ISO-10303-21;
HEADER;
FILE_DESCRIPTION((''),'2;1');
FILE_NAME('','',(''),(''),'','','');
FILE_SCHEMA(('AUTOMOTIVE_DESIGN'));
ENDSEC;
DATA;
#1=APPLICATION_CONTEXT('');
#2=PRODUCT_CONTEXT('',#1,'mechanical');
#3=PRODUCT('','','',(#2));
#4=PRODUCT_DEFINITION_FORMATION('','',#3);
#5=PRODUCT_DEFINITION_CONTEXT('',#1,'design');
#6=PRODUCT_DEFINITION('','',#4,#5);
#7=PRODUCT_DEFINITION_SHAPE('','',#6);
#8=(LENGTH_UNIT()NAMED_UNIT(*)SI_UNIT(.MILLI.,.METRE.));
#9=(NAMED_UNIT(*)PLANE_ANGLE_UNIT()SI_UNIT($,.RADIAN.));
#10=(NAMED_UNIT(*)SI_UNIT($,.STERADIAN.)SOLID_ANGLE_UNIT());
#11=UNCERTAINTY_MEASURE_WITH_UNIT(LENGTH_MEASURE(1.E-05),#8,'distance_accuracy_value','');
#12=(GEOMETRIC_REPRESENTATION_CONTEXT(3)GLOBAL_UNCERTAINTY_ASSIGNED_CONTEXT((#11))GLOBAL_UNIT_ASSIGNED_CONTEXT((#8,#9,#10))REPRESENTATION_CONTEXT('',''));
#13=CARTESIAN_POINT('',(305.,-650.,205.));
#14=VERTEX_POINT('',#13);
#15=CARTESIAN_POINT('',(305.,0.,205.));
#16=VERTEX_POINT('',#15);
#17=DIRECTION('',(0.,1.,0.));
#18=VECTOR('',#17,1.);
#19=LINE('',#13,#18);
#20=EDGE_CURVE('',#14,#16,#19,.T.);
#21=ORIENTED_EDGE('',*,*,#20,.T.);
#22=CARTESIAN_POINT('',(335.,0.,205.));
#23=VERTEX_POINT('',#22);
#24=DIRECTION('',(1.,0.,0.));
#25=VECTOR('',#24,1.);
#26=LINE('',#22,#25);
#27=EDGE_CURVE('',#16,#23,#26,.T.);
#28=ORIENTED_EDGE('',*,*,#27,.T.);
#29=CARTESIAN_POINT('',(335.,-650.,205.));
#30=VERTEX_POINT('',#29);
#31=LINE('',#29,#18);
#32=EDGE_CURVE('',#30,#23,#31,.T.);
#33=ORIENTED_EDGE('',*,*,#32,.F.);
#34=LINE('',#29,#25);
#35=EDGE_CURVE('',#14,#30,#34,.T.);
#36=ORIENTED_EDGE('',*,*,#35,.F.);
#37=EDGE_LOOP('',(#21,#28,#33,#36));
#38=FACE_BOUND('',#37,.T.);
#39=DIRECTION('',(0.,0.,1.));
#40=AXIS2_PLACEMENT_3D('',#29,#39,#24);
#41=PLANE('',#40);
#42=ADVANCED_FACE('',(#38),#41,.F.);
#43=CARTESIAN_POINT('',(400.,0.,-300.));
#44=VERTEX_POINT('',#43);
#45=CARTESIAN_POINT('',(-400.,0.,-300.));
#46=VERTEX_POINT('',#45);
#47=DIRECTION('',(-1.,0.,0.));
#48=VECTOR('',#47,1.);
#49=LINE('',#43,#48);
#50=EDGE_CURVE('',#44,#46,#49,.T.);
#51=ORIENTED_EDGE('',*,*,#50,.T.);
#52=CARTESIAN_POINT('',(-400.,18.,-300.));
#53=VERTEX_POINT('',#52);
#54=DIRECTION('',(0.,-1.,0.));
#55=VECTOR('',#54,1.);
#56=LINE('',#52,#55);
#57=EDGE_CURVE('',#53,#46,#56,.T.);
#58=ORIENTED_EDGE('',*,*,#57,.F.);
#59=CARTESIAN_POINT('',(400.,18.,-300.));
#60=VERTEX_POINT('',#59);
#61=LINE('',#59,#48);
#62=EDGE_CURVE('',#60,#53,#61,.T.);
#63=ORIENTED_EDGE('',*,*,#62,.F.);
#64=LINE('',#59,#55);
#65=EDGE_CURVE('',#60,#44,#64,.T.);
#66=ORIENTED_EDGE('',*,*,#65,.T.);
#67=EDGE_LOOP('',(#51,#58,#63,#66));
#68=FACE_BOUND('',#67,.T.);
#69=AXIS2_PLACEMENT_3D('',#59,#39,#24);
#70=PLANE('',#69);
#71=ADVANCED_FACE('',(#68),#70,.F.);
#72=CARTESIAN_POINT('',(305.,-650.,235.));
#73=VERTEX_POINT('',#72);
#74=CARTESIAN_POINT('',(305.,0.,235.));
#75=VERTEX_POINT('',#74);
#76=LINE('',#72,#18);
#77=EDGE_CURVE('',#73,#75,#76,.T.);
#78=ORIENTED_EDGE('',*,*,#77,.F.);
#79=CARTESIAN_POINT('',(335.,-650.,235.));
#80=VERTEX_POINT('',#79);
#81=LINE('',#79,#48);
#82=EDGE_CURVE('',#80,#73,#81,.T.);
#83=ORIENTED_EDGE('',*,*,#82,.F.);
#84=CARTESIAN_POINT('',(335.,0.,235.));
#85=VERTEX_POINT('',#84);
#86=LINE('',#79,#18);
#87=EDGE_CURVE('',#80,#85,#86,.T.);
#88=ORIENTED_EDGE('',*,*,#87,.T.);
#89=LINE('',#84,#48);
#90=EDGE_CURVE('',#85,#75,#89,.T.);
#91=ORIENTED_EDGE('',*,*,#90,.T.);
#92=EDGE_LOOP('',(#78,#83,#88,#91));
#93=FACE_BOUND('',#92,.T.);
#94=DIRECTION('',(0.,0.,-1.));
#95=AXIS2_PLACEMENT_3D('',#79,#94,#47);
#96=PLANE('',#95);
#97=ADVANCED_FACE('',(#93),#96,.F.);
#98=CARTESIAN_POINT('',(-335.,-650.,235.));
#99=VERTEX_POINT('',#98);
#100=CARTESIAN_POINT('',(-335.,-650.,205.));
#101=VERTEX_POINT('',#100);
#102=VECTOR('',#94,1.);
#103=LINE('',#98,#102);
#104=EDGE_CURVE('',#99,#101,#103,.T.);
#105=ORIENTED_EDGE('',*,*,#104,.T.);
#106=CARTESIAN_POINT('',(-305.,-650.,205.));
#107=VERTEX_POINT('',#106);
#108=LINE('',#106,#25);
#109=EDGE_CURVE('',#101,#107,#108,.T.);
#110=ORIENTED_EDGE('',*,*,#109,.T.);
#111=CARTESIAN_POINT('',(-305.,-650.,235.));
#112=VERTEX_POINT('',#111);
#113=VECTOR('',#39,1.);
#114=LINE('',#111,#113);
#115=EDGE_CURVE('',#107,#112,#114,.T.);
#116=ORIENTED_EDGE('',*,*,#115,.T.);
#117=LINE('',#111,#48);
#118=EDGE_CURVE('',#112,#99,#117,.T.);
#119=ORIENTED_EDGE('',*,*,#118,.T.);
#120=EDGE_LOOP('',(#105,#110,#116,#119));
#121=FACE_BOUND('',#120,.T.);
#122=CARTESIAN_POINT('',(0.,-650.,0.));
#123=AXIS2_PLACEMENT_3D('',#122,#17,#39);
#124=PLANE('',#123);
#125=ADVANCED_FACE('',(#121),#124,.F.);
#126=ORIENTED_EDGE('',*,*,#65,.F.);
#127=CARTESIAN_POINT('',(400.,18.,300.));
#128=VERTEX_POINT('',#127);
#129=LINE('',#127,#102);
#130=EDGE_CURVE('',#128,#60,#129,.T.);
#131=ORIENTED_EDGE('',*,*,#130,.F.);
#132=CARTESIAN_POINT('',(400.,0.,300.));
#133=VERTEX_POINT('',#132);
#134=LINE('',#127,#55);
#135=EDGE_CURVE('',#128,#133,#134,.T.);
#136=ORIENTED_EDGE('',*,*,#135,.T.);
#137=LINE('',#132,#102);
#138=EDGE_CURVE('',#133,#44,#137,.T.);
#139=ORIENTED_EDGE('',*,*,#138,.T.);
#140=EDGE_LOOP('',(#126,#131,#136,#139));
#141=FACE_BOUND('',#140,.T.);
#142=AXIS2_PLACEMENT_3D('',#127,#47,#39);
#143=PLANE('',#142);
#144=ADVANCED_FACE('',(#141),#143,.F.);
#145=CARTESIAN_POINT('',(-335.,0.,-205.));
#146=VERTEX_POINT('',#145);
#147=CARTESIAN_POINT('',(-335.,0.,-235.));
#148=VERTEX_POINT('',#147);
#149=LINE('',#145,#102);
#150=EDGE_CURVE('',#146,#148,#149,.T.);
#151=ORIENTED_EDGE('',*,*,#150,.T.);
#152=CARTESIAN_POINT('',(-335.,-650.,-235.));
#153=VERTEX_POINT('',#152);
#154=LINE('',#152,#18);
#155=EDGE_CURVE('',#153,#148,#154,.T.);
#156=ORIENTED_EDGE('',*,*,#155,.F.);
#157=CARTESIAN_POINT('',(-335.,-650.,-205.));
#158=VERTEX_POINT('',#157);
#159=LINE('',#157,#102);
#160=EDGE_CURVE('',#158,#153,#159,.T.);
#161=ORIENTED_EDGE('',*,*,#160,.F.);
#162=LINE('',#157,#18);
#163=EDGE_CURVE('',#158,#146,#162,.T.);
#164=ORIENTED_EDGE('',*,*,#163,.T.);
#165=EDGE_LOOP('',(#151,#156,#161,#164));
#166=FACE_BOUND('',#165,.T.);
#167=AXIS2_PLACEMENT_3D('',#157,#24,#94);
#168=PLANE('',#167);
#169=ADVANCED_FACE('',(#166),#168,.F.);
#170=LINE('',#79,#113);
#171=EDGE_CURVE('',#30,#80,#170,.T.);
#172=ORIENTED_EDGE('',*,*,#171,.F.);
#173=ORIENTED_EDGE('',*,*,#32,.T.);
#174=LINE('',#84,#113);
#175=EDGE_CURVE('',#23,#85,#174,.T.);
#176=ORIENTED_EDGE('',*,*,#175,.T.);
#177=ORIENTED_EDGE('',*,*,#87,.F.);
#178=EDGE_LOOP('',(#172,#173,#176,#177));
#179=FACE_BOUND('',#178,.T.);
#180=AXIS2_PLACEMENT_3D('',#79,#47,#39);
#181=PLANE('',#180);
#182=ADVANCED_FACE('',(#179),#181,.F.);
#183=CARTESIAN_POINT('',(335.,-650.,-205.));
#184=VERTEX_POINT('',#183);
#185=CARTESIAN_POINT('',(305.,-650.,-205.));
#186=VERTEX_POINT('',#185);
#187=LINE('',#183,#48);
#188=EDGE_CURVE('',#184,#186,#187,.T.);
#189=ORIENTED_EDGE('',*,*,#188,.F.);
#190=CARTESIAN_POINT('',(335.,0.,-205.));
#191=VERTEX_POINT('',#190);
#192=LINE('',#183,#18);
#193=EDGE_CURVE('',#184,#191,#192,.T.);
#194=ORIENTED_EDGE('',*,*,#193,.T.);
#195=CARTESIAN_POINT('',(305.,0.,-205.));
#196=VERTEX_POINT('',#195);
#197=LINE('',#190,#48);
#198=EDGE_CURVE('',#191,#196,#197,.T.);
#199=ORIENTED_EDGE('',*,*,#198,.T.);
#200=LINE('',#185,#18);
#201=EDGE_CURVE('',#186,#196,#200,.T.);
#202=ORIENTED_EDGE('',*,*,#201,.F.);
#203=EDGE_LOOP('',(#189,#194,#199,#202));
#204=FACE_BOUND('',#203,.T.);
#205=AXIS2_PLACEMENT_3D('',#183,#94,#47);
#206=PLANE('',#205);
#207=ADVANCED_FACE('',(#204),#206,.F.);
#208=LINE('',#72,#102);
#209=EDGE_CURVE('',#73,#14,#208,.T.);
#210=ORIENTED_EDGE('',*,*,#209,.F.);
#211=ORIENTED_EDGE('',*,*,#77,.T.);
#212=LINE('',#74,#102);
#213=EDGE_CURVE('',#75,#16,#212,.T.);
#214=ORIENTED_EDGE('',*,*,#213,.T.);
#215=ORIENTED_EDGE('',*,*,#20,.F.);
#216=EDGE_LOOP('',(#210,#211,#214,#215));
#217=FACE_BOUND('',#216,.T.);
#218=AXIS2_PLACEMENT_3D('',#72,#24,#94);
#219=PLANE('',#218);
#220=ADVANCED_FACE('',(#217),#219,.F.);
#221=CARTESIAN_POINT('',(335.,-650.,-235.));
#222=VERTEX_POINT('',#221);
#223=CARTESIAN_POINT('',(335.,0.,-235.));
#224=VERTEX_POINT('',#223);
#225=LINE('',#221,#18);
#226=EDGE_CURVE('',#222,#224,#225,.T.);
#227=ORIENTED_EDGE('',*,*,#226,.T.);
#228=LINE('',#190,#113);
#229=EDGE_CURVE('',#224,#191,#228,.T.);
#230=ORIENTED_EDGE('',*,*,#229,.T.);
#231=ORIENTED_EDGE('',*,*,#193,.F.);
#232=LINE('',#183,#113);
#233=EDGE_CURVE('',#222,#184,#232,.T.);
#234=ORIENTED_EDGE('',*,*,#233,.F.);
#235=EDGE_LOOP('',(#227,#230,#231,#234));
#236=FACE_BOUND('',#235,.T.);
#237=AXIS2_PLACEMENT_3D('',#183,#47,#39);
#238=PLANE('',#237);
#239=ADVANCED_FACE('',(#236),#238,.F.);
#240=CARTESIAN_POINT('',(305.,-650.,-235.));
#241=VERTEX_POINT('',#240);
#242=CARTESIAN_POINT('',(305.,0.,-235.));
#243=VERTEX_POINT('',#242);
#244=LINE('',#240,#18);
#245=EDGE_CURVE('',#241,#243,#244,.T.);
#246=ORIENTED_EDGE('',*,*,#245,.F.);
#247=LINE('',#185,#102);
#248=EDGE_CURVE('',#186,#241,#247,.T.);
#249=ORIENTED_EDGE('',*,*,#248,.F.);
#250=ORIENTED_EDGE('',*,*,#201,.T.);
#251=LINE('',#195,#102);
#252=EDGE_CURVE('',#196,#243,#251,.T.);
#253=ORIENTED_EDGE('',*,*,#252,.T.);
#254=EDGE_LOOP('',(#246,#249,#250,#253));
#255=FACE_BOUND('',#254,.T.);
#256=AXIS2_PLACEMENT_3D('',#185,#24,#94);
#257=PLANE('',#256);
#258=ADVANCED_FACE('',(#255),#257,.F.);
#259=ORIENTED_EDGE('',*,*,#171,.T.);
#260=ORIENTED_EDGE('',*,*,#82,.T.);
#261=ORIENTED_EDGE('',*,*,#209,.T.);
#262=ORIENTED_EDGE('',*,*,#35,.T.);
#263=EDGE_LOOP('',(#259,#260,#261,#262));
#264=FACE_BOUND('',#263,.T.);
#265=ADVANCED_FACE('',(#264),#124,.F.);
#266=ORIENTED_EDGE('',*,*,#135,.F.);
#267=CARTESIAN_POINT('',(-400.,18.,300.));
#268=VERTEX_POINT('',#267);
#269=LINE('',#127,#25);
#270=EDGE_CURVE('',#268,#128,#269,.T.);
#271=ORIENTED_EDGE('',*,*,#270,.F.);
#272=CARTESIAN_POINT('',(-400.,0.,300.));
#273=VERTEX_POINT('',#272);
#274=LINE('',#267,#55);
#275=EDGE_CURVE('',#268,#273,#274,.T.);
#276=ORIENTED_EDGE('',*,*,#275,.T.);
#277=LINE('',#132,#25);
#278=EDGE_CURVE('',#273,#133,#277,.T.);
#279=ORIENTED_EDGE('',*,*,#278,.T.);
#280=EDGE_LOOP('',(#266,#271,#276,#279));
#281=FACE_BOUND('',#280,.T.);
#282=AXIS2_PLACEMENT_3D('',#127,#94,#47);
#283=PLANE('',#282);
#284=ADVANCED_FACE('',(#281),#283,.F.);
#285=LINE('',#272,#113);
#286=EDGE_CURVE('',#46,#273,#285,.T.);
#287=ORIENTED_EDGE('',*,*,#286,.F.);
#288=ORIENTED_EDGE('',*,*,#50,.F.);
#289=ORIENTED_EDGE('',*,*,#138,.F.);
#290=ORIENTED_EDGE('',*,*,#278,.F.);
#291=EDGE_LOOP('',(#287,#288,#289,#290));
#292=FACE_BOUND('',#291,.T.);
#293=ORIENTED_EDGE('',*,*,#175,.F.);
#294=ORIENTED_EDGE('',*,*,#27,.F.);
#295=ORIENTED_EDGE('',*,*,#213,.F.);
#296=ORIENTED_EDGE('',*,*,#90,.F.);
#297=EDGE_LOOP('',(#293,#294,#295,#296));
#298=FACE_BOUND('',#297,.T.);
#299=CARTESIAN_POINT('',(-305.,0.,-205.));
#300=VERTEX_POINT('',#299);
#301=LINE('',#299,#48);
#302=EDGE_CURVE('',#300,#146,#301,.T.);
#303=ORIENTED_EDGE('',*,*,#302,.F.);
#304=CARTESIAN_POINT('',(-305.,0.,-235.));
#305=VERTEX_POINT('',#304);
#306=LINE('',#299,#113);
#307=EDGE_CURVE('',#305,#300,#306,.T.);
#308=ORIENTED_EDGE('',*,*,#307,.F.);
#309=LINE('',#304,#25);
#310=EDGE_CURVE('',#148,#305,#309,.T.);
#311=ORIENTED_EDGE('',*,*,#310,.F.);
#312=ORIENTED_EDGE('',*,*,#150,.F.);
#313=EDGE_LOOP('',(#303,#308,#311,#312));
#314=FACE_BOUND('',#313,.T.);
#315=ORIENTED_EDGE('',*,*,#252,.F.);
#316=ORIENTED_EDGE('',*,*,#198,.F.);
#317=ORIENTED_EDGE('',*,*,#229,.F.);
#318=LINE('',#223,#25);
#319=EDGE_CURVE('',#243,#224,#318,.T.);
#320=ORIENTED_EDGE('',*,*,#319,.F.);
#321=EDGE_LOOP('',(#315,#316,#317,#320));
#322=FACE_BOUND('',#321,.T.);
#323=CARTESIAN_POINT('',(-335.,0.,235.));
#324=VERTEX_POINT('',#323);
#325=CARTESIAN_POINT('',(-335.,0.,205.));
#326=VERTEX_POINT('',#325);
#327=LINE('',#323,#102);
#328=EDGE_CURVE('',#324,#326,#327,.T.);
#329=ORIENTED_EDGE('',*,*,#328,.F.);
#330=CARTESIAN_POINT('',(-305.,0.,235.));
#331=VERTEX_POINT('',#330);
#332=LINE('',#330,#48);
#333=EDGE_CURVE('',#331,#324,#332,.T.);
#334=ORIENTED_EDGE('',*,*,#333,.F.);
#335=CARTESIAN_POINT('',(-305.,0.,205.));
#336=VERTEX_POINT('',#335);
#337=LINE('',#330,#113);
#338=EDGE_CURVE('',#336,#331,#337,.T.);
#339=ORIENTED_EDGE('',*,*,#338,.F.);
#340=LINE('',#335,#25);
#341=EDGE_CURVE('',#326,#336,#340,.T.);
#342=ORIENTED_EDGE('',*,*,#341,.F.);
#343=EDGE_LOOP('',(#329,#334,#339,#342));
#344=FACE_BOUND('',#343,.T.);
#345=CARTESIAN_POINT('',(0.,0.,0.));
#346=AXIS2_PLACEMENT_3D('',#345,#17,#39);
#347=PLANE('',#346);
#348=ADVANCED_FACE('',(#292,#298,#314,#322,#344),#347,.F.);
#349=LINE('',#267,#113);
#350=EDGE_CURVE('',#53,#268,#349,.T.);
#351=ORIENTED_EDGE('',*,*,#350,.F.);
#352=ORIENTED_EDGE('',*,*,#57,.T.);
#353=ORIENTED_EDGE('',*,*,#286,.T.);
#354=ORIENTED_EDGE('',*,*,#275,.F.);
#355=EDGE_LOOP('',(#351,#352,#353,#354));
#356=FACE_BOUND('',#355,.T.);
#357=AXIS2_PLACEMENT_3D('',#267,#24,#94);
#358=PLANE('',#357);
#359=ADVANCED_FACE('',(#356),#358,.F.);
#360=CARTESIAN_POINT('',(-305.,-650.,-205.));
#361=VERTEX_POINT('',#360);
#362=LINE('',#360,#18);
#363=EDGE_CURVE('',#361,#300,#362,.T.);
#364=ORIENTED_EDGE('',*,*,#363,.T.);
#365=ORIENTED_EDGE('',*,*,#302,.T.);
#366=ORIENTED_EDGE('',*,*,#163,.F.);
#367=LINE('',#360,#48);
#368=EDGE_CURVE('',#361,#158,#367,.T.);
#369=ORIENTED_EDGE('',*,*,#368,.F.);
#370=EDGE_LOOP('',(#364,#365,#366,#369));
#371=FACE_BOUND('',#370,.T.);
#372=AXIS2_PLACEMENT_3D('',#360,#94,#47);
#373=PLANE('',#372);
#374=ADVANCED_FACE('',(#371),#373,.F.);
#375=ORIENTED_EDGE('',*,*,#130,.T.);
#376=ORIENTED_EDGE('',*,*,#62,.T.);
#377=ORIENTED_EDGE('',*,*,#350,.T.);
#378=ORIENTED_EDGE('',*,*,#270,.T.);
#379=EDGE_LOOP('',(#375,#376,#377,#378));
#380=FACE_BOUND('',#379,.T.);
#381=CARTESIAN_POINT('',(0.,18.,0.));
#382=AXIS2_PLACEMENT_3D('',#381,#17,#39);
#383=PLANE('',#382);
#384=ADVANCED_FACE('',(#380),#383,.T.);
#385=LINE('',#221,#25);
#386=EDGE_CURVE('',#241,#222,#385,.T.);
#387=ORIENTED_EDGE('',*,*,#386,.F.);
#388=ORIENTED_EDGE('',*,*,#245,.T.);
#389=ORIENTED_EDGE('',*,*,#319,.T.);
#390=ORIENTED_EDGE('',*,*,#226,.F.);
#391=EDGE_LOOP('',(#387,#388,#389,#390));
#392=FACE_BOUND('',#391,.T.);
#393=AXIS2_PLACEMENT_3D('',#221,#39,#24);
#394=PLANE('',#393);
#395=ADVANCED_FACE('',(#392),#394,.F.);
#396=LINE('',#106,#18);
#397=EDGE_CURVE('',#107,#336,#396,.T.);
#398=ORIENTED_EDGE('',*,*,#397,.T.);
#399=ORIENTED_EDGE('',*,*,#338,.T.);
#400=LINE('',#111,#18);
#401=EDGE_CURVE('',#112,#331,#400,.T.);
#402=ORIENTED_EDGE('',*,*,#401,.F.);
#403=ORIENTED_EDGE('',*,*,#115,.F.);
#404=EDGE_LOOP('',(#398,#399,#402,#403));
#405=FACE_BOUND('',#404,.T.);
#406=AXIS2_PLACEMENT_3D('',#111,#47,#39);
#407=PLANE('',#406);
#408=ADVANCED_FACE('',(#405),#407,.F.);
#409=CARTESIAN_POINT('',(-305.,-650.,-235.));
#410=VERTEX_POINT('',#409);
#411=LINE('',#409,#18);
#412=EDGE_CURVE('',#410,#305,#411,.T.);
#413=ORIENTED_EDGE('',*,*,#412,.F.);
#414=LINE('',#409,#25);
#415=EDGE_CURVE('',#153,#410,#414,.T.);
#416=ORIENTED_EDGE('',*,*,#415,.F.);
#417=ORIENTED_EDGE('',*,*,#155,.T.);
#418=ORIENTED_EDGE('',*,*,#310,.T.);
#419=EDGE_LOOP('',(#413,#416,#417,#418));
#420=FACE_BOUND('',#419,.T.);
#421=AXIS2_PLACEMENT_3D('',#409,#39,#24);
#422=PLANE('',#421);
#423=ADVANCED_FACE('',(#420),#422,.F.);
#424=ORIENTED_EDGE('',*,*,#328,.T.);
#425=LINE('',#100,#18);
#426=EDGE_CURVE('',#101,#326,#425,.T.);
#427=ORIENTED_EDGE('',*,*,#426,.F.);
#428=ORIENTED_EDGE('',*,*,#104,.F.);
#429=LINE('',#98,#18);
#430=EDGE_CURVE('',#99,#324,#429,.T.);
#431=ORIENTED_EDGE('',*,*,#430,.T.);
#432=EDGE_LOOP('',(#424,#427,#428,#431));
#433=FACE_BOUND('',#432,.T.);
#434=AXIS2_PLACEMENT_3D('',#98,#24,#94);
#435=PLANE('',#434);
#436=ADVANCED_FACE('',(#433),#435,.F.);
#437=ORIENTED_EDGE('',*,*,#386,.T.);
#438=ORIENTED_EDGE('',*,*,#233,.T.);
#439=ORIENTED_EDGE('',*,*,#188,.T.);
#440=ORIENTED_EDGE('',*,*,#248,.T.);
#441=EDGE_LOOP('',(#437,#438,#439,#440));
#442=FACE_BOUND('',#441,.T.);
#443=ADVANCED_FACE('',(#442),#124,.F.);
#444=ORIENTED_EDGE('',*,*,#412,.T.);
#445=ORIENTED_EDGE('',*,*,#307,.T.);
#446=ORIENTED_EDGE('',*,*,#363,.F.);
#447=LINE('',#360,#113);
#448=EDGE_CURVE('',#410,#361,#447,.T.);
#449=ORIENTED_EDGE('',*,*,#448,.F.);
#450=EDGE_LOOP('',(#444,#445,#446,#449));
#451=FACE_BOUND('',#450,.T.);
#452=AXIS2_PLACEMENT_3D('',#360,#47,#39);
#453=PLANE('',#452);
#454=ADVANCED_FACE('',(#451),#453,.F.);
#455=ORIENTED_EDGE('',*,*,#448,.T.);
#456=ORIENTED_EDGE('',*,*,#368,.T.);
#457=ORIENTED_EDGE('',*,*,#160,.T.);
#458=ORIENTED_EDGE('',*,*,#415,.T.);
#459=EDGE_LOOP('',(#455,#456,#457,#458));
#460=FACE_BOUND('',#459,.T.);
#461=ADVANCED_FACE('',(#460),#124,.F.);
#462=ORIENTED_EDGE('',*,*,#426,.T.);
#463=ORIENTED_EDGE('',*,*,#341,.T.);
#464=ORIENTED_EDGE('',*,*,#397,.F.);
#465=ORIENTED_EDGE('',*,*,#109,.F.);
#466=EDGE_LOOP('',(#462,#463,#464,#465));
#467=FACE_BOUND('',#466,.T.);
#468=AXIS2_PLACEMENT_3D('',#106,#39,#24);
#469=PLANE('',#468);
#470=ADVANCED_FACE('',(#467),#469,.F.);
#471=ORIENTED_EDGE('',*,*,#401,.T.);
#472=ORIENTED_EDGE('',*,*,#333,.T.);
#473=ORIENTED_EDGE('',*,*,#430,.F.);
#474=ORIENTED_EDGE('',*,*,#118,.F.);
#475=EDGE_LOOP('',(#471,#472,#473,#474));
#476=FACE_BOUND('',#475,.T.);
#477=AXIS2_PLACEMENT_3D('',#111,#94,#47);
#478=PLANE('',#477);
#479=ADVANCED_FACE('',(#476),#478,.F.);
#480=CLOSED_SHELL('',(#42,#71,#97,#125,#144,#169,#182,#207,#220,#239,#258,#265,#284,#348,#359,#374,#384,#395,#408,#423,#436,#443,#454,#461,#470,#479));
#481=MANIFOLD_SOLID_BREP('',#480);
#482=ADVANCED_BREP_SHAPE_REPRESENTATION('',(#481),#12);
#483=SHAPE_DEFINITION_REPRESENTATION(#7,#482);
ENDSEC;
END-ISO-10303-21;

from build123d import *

# Parameters (mm, degrees)
SKETCH_1_W      = 800
SKETCH_1_H      = 600
EXTRUDE_1_DEPTH = 18
SKETCH_2_W      = 30
SKETCH_2_H      = 30
EXTRUDE_2_DEPTH = 650


with BuildPart() as part:
    # Эскиз1 → Бобышка-Вытянуть1 (new body)
    with BuildSketch(Plane(origin=(0, 0, 0), x_dir=(1, 0, 0), z_dir=(0, 1, 0))):
        Rectangle(SKETCH_1_W, SKETCH_1_H)
    extrude(amount=EXTRUDE_1_DEPTH)

    # Эскиз2 → Бобышка-Вытянуть2 (add)
    with BuildSketch(Plane.XZ):
        with Locations((-320, 220)):
            Rectangle(SKETCH_2_W, SKETCH_2_H)
        with Locations((320, 220)):
            Rectangle(SKETCH_2_W, SKETCH_2_H)
        with Locations((320, -220)):
            Rectangle(SKETCH_2_W, SKETCH_2_H)
        with Locations((-320, -220)):
            Rectangle(SKETCH_2_W, SKETCH_2_H)
    extrude(amount=EXTRUDE_2_DEPTH)


solid = part.part
